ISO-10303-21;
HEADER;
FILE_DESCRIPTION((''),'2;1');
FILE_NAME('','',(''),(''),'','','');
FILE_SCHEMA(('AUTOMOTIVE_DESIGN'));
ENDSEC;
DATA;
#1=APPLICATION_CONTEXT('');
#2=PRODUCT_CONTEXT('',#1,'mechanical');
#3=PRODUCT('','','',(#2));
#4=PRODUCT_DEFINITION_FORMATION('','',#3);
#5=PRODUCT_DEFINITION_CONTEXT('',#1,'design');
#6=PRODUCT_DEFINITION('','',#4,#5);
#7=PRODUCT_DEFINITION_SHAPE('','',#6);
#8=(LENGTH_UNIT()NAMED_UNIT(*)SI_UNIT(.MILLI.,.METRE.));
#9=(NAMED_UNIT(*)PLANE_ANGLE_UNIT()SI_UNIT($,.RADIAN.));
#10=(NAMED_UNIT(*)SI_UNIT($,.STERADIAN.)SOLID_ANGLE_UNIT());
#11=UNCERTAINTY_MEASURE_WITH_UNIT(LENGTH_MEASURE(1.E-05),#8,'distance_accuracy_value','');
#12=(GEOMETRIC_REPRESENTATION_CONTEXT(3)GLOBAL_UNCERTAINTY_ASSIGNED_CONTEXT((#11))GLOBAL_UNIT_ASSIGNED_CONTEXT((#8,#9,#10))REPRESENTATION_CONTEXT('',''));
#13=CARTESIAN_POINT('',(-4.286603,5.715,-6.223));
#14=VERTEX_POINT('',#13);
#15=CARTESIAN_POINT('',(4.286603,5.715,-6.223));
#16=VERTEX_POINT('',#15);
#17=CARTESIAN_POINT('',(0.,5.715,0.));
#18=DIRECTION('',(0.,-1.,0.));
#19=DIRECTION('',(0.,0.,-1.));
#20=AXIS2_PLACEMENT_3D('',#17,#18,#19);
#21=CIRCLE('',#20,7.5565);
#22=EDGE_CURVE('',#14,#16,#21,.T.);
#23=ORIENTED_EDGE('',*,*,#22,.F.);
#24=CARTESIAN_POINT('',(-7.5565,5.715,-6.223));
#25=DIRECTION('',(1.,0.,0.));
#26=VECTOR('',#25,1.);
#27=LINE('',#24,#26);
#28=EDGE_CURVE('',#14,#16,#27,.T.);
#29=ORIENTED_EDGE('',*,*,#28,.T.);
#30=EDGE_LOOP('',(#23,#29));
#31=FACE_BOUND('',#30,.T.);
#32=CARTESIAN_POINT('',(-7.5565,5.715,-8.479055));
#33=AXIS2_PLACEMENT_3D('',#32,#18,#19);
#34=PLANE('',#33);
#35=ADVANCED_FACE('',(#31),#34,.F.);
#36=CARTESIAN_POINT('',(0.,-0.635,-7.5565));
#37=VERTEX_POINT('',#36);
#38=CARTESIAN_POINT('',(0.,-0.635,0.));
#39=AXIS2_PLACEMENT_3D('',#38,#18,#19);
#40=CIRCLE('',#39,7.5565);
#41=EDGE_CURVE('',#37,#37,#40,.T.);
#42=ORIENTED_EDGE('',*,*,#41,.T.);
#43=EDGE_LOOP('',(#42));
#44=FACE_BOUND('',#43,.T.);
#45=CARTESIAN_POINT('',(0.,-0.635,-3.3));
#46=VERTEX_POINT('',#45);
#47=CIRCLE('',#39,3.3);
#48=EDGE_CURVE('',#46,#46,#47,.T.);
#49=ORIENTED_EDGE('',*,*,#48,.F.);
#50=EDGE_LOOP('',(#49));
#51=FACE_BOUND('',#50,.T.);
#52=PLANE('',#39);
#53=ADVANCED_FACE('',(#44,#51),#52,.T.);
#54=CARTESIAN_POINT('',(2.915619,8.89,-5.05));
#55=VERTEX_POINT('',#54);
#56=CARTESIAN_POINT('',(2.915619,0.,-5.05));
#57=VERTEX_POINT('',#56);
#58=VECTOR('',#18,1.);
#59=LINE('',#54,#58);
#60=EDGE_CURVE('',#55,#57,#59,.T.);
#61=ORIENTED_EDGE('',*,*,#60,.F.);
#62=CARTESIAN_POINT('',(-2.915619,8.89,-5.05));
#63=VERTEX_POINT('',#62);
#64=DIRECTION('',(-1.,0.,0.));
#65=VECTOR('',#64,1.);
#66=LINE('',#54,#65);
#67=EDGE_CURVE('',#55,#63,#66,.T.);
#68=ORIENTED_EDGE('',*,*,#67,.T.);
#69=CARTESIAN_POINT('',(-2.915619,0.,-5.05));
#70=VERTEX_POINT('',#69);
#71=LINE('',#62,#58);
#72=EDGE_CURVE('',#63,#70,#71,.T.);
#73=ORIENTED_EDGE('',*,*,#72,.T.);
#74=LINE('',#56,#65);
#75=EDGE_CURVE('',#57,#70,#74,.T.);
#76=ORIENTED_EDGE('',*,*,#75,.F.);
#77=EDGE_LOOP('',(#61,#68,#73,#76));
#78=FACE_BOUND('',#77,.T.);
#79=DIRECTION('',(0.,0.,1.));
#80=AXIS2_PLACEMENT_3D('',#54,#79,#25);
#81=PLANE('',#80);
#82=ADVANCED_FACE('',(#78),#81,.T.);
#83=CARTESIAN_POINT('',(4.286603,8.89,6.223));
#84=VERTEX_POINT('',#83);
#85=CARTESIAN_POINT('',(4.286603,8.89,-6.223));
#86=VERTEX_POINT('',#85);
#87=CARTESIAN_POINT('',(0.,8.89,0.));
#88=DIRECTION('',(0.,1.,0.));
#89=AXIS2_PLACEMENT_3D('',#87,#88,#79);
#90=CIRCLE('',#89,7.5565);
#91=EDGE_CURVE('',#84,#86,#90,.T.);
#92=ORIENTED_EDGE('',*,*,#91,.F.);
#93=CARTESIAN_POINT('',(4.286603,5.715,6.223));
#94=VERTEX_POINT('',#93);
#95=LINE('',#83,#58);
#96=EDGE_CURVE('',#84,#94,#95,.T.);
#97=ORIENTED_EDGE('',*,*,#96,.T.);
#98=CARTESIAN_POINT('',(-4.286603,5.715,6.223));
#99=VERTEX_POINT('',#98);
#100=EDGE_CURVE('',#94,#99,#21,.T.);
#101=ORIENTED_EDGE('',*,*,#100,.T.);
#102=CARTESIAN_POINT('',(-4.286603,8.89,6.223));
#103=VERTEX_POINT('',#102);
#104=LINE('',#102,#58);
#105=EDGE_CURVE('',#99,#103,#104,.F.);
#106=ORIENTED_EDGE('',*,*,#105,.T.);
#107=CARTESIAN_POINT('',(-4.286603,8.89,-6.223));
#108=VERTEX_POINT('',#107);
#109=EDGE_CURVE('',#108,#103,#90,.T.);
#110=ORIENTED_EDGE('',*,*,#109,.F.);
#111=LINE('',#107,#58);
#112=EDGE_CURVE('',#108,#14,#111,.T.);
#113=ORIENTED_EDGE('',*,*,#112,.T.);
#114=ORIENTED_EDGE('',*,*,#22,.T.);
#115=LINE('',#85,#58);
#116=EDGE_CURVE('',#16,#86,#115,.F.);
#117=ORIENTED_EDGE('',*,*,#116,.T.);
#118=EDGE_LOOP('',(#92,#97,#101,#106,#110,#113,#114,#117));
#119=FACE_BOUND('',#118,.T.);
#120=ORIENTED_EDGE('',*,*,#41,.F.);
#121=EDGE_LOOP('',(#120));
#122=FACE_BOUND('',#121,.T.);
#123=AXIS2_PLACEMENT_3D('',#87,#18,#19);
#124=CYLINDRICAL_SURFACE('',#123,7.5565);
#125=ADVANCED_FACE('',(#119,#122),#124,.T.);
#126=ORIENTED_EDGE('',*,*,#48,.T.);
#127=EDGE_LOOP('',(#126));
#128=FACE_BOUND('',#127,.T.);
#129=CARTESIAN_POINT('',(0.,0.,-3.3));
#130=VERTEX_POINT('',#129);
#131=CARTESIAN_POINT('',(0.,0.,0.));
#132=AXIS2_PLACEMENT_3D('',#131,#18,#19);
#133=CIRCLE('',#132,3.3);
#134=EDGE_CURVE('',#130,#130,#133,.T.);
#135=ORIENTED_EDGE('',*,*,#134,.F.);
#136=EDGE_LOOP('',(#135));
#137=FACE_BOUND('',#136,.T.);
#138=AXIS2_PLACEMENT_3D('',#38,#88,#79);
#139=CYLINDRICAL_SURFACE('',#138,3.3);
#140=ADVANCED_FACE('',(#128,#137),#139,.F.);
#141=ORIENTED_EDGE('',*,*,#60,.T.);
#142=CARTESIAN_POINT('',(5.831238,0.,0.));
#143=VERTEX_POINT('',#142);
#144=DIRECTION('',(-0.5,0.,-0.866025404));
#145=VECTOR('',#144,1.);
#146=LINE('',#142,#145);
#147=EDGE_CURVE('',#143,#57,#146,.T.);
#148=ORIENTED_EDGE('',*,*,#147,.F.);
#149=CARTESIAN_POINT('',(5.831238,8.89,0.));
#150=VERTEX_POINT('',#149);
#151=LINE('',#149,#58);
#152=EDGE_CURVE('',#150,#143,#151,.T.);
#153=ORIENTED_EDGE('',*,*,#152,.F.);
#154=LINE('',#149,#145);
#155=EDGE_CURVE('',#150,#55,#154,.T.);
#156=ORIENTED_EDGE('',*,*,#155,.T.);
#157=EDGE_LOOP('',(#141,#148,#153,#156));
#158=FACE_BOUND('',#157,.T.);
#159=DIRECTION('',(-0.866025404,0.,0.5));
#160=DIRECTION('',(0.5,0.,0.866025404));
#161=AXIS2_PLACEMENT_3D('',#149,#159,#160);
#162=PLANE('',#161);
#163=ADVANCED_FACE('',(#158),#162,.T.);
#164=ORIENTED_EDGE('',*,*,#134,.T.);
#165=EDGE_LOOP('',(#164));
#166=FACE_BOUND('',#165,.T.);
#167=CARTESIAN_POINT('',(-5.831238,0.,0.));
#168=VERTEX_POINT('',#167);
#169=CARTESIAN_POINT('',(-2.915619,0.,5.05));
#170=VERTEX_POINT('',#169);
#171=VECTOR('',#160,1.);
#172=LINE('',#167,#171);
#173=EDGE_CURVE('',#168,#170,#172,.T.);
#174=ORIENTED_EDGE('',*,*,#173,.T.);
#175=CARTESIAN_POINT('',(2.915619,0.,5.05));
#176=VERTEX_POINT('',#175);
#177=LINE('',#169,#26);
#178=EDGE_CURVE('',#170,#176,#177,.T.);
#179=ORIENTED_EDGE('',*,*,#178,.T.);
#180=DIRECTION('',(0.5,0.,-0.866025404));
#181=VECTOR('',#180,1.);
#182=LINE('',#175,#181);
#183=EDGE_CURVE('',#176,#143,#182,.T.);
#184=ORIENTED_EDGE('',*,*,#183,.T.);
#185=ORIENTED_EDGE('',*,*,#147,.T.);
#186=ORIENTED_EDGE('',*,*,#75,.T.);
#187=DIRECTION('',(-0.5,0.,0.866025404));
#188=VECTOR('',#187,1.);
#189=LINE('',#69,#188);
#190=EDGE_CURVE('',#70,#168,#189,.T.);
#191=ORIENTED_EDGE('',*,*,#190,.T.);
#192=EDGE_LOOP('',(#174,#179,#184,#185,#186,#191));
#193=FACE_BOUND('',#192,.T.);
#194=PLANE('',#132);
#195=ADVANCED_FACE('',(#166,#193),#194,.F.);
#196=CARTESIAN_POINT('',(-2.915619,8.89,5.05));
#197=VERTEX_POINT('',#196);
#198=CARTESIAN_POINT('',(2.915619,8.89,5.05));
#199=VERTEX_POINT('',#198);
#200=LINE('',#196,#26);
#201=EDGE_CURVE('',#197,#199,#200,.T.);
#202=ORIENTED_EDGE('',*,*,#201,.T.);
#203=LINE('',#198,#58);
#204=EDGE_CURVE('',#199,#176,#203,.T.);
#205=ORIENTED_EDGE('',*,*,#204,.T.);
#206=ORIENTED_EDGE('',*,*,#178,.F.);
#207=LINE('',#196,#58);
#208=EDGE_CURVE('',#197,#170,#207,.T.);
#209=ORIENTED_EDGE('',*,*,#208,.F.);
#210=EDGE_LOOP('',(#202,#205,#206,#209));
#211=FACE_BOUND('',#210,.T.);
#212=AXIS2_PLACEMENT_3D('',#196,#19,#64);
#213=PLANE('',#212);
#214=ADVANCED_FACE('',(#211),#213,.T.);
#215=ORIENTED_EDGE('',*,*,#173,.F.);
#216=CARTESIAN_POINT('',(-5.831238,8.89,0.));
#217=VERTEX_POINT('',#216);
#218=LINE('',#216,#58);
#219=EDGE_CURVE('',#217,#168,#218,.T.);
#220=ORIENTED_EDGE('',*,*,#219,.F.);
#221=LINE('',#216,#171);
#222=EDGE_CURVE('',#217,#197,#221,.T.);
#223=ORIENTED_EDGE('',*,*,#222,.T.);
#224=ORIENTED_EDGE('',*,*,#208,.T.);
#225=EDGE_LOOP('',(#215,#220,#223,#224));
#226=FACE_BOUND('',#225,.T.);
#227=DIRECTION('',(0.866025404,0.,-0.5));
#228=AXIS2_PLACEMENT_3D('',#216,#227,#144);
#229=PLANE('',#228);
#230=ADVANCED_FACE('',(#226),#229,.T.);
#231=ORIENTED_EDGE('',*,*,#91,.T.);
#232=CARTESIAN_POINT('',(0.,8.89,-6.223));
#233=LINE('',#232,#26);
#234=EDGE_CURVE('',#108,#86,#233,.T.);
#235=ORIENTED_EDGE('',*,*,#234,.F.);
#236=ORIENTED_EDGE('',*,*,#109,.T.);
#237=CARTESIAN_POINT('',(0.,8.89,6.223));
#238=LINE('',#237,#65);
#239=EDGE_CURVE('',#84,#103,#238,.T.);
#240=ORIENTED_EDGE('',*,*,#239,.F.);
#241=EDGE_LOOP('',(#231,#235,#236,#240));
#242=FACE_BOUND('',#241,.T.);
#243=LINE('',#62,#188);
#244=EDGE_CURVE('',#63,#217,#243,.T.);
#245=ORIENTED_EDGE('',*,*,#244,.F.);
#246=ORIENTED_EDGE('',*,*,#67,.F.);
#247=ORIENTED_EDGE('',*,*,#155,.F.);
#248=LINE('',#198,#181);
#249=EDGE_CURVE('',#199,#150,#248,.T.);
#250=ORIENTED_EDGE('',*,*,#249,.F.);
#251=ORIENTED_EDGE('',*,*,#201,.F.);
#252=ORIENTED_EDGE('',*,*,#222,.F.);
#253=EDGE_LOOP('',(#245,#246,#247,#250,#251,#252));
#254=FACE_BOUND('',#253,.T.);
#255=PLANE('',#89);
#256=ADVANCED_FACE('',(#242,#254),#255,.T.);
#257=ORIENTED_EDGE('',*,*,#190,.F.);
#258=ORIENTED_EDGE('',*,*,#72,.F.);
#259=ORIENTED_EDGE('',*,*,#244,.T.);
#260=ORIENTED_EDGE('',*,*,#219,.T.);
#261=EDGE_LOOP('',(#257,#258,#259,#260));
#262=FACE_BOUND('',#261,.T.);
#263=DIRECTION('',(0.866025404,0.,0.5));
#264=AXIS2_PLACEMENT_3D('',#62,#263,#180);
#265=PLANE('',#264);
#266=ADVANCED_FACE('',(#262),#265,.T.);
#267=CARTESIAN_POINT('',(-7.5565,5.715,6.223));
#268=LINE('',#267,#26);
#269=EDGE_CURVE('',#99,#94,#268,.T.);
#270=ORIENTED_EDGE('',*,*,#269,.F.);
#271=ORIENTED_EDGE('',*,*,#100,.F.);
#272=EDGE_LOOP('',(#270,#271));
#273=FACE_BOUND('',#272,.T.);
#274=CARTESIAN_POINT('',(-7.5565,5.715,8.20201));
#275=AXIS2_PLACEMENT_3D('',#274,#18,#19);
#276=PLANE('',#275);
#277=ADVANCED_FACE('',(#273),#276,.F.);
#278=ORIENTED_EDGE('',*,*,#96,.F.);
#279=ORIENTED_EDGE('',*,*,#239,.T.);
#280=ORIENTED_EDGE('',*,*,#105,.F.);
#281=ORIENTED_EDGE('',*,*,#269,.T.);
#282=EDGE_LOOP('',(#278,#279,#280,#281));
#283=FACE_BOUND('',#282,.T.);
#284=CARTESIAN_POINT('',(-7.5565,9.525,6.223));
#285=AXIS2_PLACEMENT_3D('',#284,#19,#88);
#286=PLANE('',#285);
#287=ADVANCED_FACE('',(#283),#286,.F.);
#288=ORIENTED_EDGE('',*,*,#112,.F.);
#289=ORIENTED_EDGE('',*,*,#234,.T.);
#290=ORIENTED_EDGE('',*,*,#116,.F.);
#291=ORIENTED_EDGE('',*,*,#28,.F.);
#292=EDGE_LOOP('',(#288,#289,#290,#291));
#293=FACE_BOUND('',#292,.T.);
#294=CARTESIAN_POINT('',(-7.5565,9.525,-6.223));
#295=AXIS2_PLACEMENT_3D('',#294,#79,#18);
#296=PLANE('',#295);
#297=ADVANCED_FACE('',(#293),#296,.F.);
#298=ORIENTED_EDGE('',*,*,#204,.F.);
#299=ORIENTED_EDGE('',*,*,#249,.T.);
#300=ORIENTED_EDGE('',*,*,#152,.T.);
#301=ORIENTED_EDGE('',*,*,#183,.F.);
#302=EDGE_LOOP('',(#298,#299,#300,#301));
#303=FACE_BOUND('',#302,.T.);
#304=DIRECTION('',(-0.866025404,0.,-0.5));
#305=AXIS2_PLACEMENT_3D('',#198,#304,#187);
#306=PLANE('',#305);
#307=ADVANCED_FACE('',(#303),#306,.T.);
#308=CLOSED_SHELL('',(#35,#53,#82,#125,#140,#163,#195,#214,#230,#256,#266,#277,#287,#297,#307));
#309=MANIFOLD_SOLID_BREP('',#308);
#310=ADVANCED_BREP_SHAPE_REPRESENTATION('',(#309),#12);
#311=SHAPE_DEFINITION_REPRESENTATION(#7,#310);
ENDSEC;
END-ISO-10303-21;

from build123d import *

# Parameters (mm, degrees)
SKETCH1_R               = 7.5565
BOSS_EXTRUDE1_DEPTH     = 8.89
SKETCH2_R               = 7.5565
SKETCH2_R_2             = 3.3
BOSS_EXTRUDE2_DEPTH     = 0.635
SKETCH3_W               = 1.979009817
SKETCH3_H               = 3.81
SKETCH3_W_2             = 2.256055482
CUT_EXTRUDE1_DEPTH      = 8.5565
CUT_EXTRUDE1_DEPTH_BACK = 8.5565


with BuildPart() as part:
    # Sketch1 → Boss-Extrude1 (new body)
    with BuildSketch(Plane(origin=(0, 0, 0), x_dir=(1, 0, 0), z_dir=(0, 1, 0))):
        Circle(SKETCH1_R)
        Polygon((-2.915618859, 5.05), (-5.831237719, 0), (-2.915618859, -5.05), (2.915618859, -5.05), (5.831237719, 0), (2.915618859, 5.05), align=None, mode=Mode.SUBTRACT)
    extrude(amount=BOSS_EXTRUDE1_DEPTH)

    # Sketch2 → Boss-Extrude2 (add)
    with BuildSketch(Plane.XZ):
        Circle(SKETCH2_R)
        Circle(SKETCH2_R_2, mode=Mode.SUBTRACT)
    extrude(amount=BOSS_EXTRUDE2_DEPTH)

    # Sketch3 → Cut-Extrude1 (cut, two sides)
    with BuildSketch(Plane(origin=(0, 0, 0), x_dir=(0, 0, -1), z_dir=(1, 0, 0))) as cut_extrude1_sk:
        with Locations((-7.212504909, 7.62)):
            Rectangle(SKETCH3_W, SKETCH3_H)
        with Locations((7.351027741, 7.62)):
            Rectangle(SKETCH3_W_2, SKETCH3_H)
    extrude(amount=CUT_EXTRUDE1_DEPTH, mode=Mode.SUBTRACT)
    extrude(cut_extrude1_sk.sketch, amount=-CUT_EXTRUDE1_DEPTH_BACK, mode=Mode.SUBTRACT)


solid = part.part
